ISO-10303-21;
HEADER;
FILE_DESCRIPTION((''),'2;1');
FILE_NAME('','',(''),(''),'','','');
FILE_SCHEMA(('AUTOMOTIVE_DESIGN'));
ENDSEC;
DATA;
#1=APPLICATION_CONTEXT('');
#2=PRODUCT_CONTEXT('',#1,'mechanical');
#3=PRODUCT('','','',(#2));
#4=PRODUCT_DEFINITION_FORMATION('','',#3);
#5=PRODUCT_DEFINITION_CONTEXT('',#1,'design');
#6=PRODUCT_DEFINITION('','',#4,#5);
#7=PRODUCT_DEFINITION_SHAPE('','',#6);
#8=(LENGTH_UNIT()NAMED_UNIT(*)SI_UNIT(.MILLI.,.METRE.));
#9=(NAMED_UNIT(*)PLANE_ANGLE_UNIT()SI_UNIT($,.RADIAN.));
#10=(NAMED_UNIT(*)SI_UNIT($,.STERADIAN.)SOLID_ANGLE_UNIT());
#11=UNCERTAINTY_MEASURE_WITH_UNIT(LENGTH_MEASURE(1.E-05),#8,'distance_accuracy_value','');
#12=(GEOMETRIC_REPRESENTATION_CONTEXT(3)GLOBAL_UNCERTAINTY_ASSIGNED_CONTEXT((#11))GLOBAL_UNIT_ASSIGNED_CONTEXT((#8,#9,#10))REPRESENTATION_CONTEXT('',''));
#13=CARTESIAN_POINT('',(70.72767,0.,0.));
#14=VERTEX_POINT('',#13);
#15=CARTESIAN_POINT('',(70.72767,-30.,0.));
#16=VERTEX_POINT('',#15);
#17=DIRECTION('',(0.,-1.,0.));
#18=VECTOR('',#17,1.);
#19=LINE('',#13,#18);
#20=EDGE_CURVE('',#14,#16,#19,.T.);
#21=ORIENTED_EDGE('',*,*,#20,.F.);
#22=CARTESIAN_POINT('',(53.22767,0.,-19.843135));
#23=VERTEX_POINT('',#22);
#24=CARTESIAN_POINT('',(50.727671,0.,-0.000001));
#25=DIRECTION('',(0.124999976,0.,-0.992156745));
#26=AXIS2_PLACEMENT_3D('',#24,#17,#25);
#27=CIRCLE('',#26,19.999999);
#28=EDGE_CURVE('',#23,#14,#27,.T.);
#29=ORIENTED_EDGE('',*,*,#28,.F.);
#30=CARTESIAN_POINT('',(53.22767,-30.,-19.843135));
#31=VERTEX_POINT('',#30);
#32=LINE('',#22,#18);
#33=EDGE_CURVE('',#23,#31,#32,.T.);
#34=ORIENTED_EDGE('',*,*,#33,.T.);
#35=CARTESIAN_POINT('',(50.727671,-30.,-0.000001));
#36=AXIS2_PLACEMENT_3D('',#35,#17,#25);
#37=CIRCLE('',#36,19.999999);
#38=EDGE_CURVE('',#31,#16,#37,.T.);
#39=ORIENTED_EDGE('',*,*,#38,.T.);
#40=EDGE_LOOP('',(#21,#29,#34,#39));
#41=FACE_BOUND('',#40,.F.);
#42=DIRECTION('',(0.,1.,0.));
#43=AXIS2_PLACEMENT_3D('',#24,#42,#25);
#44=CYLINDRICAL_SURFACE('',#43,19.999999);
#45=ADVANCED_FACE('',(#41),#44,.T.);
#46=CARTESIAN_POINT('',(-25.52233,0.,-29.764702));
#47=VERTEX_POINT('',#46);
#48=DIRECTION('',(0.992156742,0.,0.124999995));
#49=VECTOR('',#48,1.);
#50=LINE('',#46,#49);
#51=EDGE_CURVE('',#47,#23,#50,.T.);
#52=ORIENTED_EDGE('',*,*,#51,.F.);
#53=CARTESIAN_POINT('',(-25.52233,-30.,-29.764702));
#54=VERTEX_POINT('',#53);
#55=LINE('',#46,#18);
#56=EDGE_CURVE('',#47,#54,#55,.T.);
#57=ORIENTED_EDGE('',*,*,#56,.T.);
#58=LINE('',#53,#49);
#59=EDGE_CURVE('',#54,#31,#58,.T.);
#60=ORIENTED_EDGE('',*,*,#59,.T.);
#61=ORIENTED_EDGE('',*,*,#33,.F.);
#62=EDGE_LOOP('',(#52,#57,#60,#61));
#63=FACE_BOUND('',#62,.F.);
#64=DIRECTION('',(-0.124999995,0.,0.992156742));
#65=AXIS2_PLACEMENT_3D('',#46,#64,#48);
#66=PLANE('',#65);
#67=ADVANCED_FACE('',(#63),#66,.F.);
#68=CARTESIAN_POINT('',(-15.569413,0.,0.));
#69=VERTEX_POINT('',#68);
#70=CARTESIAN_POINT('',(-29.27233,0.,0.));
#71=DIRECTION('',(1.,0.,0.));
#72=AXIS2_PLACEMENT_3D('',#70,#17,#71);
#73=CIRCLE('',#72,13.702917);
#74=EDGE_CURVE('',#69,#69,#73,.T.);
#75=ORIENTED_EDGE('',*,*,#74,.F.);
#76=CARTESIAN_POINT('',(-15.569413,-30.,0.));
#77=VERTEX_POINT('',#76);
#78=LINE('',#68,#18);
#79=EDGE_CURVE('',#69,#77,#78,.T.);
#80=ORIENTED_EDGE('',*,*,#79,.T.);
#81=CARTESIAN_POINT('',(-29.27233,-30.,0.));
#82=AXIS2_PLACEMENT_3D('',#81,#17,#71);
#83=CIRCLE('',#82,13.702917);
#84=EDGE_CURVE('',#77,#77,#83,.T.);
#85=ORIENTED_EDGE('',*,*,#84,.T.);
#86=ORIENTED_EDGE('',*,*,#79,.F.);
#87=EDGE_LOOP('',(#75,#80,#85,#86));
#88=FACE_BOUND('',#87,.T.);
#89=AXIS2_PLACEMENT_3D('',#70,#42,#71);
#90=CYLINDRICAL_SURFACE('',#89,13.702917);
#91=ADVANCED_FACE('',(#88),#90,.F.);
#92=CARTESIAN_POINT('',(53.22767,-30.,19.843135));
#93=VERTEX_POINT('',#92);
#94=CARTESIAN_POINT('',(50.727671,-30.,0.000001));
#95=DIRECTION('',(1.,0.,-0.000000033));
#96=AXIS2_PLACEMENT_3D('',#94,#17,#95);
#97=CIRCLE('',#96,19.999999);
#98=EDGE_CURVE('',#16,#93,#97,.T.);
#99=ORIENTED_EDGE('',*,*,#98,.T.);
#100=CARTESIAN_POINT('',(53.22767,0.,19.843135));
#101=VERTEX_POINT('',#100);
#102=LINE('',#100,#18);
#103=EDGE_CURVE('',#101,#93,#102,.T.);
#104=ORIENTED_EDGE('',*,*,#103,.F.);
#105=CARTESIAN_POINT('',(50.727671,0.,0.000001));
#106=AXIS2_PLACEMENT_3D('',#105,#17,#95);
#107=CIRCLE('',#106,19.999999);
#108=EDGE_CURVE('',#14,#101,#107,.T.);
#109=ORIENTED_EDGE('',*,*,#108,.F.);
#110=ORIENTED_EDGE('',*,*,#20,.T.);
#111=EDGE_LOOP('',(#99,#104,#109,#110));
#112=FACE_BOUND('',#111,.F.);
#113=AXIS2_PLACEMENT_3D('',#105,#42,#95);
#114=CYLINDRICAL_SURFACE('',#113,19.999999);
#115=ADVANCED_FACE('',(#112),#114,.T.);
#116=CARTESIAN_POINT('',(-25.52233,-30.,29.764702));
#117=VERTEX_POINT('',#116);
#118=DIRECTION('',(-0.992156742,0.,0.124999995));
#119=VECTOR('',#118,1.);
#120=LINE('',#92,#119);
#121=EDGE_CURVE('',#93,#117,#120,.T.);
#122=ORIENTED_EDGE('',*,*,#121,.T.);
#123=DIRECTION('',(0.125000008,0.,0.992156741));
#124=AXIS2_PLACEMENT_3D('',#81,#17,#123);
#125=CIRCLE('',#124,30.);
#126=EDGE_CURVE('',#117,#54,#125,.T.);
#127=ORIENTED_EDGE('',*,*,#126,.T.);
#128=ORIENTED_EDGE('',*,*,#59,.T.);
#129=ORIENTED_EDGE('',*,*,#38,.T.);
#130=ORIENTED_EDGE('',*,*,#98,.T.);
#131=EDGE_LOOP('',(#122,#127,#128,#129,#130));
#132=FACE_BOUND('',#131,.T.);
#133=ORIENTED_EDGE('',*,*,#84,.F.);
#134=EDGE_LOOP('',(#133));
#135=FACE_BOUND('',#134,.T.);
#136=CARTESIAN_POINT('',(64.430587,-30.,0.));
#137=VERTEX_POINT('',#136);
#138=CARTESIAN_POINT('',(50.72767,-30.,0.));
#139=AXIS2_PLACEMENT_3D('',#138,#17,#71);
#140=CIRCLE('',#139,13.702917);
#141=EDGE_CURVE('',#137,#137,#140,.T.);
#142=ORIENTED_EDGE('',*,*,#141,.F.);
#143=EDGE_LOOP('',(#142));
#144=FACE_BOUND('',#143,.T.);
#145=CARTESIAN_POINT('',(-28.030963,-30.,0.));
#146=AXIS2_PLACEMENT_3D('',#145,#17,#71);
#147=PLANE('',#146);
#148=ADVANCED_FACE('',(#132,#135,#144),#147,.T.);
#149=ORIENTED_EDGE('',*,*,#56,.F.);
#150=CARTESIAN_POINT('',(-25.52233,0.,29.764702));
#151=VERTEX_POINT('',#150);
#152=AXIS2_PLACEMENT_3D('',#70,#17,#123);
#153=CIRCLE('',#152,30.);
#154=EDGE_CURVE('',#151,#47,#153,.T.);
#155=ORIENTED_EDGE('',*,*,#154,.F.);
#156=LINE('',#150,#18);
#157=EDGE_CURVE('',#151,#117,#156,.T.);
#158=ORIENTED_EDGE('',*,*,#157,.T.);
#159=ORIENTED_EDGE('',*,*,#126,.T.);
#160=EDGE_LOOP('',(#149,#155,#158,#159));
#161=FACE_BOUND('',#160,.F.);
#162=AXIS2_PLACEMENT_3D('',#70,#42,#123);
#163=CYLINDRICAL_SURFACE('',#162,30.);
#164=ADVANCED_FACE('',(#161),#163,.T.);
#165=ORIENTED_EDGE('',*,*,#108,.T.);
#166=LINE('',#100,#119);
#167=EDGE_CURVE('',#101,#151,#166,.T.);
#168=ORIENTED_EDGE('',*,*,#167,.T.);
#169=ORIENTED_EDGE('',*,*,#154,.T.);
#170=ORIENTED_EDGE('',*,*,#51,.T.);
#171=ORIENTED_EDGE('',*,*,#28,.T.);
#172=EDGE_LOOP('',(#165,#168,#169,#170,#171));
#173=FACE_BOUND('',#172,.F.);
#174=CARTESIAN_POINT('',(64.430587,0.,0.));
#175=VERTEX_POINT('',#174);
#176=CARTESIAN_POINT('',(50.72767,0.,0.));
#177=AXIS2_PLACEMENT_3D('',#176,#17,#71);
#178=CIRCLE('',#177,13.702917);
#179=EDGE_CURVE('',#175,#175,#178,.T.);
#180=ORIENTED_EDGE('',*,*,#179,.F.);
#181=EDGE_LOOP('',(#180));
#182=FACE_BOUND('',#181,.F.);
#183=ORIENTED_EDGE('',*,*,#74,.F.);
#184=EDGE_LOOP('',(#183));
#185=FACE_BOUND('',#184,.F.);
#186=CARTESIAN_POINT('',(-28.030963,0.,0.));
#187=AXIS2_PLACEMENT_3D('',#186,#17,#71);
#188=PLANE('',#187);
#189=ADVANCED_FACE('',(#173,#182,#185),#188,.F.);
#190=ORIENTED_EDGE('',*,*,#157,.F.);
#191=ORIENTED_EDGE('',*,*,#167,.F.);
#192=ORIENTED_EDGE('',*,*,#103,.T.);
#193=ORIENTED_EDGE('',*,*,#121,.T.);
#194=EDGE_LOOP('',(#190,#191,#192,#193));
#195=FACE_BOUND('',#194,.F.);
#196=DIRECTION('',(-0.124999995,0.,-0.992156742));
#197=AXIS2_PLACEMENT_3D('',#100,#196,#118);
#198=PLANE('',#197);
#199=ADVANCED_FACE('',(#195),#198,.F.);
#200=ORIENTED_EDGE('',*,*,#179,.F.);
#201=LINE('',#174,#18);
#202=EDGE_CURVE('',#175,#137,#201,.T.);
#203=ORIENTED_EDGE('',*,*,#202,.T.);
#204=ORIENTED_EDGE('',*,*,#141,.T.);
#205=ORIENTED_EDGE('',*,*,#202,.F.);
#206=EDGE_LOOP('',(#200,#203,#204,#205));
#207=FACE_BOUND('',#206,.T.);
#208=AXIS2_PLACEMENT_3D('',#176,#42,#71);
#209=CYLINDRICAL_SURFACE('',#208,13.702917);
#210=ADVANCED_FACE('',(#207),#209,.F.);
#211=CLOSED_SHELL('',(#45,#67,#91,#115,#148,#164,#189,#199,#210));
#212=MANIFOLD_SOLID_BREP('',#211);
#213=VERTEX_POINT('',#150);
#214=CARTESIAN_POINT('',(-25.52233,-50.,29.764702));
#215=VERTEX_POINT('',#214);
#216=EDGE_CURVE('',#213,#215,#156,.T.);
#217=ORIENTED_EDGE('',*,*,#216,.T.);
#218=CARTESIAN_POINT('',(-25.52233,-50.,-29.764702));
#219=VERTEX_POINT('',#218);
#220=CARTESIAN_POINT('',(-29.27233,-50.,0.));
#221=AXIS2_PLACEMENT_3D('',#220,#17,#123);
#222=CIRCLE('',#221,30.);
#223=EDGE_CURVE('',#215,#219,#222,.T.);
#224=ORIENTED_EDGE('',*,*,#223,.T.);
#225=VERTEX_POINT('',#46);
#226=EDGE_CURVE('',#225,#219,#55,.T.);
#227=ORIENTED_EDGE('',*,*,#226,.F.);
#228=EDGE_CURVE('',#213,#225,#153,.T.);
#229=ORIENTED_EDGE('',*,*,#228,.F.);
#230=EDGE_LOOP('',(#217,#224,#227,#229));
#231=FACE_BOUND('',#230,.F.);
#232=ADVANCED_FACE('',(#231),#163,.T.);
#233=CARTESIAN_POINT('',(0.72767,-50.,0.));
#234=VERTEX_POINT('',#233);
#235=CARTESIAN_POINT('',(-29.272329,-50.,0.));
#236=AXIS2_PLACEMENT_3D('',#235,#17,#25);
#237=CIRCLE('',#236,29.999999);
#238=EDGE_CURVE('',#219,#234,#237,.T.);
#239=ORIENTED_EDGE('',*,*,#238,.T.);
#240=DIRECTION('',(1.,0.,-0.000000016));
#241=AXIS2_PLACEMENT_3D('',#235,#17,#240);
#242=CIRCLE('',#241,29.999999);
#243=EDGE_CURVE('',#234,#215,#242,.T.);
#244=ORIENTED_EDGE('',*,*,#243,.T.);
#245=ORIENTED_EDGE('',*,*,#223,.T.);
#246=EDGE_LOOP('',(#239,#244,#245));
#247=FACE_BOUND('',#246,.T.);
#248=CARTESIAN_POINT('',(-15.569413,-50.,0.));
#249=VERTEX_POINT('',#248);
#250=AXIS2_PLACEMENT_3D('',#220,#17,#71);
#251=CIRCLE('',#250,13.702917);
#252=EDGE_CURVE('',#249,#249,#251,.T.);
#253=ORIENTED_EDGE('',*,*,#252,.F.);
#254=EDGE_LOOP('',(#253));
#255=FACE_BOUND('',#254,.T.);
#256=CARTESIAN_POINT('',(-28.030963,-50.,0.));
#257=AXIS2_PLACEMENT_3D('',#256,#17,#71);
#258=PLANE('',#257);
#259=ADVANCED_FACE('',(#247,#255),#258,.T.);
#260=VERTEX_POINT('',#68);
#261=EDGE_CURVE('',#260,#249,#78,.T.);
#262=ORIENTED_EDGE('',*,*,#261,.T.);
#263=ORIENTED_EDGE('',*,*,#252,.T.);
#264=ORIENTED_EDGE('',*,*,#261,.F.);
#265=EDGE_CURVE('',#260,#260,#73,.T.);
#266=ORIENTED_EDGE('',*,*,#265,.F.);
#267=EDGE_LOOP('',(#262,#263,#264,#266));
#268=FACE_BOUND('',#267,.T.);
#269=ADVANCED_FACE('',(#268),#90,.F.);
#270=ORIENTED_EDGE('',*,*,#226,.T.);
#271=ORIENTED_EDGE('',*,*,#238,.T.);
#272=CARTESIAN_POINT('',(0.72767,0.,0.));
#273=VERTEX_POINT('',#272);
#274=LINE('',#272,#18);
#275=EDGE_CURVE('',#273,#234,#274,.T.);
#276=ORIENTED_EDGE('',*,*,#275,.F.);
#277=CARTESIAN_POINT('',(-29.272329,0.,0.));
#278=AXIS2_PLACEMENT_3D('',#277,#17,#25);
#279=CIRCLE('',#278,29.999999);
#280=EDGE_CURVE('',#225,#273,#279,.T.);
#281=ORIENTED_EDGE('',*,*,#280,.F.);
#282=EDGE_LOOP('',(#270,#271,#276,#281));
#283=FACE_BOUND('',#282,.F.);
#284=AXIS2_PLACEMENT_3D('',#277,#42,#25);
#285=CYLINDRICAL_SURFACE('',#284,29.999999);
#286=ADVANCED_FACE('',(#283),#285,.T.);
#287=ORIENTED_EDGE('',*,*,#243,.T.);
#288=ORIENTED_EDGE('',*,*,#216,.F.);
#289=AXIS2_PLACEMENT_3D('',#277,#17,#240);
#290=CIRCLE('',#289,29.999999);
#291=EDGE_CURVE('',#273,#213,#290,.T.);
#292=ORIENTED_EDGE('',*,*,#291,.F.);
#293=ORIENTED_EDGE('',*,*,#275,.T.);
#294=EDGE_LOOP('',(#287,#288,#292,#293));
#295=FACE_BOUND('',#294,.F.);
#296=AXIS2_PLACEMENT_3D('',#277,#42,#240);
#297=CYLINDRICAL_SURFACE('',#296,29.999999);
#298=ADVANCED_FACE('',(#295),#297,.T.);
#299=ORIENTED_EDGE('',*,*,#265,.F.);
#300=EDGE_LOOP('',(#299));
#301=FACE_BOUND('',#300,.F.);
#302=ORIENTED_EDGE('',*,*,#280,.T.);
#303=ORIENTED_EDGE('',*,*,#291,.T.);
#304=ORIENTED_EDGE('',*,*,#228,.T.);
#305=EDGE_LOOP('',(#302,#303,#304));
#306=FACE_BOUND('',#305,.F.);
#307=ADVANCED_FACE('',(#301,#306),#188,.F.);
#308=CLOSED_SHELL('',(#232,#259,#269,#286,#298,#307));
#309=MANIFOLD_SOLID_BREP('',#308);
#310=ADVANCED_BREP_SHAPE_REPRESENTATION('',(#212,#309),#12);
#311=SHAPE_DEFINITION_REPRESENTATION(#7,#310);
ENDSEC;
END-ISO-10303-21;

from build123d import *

# Parameters (mm, degrees)
F0_R     = 13.702917
F1_DEPTH = 30
F2_DEPTH = 50


with BuildPart() as f1:
    # F0 (on Front) → F1 (new body)
    with BuildSketch(Plane.XZ):
        with BuildLine():
            ThreePointArc((-25.52233, -29.764702), (-6.77233, -19.843135), (0.72767, 0))
            ThreePointArc((0.72767, 0), (-6.77233, 19.843135), (-25.52233, 29.764702))
            ThreePointArc((-25.52233, 29.764702), (-59.27233, 0), (-25.52233, -29.764702))
        make_face()
        with Locations((-29.27233, 0)):
            Circle(F0_R, mode=Mode.SUBTRACT)
        with BuildLine():
            ThreePointArc((70.72767, 0), (65.72767, 13.228757), (53.22767, 19.843135))
            ThreePointArc((53.22767, 19.843135), (30.72767, 0), (53.22767, -19.843135))
            ThreePointArc((53.22767, -19.843135), (65.72767, -13.228757), (70.72767, 0))
        make_face()
        with Locations((50.72767, 0)):
            Circle(F0_R, mode=Mode.SUBTRACT)
        with BuildLine():
            ThreePointArc((-25.52233, 29.764702), (-6.77233, 19.843135), (0.72767, 0))
            ThreePointArc((0.72767, 0), (-6.77233, -19.843135), (-25.52233, -29.764702))
            Line((-25.52233, -29.764702), (53.22767, -19.843135))
            ThreePointArc((53.22767, -19.843135), (30.72767, 0), (53.22767, 19.843135))
            Line((53.22767, 19.843135), (-25.52233, 29.764702))
        make_face()
    extrude(amount=F1_DEPTH)


with BuildPart() as f2:
    # F0 (on Front) → F2 (new body)
    with BuildSketch(Plane.XZ):
        with BuildLine():
            ThreePointArc((-25.52233, -29.764702), (-6.77233, -19.843135), (0.72767, 0))
            ThreePointArc((0.72767, 0), (-6.77233, 19.843135), (-25.52233, 29.764702))
            ThreePointArc((-25.52233, 29.764702), (-59.27233, 0), (-25.52233, -29.764702))
        make_face()
        with Locations((-29.27233, 0)):
            Circle(F0_R, mode=Mode.SUBTRACT)
    extrude(amount=F2_DEPTH)


solid = Compound([f1.part, f2.part])
